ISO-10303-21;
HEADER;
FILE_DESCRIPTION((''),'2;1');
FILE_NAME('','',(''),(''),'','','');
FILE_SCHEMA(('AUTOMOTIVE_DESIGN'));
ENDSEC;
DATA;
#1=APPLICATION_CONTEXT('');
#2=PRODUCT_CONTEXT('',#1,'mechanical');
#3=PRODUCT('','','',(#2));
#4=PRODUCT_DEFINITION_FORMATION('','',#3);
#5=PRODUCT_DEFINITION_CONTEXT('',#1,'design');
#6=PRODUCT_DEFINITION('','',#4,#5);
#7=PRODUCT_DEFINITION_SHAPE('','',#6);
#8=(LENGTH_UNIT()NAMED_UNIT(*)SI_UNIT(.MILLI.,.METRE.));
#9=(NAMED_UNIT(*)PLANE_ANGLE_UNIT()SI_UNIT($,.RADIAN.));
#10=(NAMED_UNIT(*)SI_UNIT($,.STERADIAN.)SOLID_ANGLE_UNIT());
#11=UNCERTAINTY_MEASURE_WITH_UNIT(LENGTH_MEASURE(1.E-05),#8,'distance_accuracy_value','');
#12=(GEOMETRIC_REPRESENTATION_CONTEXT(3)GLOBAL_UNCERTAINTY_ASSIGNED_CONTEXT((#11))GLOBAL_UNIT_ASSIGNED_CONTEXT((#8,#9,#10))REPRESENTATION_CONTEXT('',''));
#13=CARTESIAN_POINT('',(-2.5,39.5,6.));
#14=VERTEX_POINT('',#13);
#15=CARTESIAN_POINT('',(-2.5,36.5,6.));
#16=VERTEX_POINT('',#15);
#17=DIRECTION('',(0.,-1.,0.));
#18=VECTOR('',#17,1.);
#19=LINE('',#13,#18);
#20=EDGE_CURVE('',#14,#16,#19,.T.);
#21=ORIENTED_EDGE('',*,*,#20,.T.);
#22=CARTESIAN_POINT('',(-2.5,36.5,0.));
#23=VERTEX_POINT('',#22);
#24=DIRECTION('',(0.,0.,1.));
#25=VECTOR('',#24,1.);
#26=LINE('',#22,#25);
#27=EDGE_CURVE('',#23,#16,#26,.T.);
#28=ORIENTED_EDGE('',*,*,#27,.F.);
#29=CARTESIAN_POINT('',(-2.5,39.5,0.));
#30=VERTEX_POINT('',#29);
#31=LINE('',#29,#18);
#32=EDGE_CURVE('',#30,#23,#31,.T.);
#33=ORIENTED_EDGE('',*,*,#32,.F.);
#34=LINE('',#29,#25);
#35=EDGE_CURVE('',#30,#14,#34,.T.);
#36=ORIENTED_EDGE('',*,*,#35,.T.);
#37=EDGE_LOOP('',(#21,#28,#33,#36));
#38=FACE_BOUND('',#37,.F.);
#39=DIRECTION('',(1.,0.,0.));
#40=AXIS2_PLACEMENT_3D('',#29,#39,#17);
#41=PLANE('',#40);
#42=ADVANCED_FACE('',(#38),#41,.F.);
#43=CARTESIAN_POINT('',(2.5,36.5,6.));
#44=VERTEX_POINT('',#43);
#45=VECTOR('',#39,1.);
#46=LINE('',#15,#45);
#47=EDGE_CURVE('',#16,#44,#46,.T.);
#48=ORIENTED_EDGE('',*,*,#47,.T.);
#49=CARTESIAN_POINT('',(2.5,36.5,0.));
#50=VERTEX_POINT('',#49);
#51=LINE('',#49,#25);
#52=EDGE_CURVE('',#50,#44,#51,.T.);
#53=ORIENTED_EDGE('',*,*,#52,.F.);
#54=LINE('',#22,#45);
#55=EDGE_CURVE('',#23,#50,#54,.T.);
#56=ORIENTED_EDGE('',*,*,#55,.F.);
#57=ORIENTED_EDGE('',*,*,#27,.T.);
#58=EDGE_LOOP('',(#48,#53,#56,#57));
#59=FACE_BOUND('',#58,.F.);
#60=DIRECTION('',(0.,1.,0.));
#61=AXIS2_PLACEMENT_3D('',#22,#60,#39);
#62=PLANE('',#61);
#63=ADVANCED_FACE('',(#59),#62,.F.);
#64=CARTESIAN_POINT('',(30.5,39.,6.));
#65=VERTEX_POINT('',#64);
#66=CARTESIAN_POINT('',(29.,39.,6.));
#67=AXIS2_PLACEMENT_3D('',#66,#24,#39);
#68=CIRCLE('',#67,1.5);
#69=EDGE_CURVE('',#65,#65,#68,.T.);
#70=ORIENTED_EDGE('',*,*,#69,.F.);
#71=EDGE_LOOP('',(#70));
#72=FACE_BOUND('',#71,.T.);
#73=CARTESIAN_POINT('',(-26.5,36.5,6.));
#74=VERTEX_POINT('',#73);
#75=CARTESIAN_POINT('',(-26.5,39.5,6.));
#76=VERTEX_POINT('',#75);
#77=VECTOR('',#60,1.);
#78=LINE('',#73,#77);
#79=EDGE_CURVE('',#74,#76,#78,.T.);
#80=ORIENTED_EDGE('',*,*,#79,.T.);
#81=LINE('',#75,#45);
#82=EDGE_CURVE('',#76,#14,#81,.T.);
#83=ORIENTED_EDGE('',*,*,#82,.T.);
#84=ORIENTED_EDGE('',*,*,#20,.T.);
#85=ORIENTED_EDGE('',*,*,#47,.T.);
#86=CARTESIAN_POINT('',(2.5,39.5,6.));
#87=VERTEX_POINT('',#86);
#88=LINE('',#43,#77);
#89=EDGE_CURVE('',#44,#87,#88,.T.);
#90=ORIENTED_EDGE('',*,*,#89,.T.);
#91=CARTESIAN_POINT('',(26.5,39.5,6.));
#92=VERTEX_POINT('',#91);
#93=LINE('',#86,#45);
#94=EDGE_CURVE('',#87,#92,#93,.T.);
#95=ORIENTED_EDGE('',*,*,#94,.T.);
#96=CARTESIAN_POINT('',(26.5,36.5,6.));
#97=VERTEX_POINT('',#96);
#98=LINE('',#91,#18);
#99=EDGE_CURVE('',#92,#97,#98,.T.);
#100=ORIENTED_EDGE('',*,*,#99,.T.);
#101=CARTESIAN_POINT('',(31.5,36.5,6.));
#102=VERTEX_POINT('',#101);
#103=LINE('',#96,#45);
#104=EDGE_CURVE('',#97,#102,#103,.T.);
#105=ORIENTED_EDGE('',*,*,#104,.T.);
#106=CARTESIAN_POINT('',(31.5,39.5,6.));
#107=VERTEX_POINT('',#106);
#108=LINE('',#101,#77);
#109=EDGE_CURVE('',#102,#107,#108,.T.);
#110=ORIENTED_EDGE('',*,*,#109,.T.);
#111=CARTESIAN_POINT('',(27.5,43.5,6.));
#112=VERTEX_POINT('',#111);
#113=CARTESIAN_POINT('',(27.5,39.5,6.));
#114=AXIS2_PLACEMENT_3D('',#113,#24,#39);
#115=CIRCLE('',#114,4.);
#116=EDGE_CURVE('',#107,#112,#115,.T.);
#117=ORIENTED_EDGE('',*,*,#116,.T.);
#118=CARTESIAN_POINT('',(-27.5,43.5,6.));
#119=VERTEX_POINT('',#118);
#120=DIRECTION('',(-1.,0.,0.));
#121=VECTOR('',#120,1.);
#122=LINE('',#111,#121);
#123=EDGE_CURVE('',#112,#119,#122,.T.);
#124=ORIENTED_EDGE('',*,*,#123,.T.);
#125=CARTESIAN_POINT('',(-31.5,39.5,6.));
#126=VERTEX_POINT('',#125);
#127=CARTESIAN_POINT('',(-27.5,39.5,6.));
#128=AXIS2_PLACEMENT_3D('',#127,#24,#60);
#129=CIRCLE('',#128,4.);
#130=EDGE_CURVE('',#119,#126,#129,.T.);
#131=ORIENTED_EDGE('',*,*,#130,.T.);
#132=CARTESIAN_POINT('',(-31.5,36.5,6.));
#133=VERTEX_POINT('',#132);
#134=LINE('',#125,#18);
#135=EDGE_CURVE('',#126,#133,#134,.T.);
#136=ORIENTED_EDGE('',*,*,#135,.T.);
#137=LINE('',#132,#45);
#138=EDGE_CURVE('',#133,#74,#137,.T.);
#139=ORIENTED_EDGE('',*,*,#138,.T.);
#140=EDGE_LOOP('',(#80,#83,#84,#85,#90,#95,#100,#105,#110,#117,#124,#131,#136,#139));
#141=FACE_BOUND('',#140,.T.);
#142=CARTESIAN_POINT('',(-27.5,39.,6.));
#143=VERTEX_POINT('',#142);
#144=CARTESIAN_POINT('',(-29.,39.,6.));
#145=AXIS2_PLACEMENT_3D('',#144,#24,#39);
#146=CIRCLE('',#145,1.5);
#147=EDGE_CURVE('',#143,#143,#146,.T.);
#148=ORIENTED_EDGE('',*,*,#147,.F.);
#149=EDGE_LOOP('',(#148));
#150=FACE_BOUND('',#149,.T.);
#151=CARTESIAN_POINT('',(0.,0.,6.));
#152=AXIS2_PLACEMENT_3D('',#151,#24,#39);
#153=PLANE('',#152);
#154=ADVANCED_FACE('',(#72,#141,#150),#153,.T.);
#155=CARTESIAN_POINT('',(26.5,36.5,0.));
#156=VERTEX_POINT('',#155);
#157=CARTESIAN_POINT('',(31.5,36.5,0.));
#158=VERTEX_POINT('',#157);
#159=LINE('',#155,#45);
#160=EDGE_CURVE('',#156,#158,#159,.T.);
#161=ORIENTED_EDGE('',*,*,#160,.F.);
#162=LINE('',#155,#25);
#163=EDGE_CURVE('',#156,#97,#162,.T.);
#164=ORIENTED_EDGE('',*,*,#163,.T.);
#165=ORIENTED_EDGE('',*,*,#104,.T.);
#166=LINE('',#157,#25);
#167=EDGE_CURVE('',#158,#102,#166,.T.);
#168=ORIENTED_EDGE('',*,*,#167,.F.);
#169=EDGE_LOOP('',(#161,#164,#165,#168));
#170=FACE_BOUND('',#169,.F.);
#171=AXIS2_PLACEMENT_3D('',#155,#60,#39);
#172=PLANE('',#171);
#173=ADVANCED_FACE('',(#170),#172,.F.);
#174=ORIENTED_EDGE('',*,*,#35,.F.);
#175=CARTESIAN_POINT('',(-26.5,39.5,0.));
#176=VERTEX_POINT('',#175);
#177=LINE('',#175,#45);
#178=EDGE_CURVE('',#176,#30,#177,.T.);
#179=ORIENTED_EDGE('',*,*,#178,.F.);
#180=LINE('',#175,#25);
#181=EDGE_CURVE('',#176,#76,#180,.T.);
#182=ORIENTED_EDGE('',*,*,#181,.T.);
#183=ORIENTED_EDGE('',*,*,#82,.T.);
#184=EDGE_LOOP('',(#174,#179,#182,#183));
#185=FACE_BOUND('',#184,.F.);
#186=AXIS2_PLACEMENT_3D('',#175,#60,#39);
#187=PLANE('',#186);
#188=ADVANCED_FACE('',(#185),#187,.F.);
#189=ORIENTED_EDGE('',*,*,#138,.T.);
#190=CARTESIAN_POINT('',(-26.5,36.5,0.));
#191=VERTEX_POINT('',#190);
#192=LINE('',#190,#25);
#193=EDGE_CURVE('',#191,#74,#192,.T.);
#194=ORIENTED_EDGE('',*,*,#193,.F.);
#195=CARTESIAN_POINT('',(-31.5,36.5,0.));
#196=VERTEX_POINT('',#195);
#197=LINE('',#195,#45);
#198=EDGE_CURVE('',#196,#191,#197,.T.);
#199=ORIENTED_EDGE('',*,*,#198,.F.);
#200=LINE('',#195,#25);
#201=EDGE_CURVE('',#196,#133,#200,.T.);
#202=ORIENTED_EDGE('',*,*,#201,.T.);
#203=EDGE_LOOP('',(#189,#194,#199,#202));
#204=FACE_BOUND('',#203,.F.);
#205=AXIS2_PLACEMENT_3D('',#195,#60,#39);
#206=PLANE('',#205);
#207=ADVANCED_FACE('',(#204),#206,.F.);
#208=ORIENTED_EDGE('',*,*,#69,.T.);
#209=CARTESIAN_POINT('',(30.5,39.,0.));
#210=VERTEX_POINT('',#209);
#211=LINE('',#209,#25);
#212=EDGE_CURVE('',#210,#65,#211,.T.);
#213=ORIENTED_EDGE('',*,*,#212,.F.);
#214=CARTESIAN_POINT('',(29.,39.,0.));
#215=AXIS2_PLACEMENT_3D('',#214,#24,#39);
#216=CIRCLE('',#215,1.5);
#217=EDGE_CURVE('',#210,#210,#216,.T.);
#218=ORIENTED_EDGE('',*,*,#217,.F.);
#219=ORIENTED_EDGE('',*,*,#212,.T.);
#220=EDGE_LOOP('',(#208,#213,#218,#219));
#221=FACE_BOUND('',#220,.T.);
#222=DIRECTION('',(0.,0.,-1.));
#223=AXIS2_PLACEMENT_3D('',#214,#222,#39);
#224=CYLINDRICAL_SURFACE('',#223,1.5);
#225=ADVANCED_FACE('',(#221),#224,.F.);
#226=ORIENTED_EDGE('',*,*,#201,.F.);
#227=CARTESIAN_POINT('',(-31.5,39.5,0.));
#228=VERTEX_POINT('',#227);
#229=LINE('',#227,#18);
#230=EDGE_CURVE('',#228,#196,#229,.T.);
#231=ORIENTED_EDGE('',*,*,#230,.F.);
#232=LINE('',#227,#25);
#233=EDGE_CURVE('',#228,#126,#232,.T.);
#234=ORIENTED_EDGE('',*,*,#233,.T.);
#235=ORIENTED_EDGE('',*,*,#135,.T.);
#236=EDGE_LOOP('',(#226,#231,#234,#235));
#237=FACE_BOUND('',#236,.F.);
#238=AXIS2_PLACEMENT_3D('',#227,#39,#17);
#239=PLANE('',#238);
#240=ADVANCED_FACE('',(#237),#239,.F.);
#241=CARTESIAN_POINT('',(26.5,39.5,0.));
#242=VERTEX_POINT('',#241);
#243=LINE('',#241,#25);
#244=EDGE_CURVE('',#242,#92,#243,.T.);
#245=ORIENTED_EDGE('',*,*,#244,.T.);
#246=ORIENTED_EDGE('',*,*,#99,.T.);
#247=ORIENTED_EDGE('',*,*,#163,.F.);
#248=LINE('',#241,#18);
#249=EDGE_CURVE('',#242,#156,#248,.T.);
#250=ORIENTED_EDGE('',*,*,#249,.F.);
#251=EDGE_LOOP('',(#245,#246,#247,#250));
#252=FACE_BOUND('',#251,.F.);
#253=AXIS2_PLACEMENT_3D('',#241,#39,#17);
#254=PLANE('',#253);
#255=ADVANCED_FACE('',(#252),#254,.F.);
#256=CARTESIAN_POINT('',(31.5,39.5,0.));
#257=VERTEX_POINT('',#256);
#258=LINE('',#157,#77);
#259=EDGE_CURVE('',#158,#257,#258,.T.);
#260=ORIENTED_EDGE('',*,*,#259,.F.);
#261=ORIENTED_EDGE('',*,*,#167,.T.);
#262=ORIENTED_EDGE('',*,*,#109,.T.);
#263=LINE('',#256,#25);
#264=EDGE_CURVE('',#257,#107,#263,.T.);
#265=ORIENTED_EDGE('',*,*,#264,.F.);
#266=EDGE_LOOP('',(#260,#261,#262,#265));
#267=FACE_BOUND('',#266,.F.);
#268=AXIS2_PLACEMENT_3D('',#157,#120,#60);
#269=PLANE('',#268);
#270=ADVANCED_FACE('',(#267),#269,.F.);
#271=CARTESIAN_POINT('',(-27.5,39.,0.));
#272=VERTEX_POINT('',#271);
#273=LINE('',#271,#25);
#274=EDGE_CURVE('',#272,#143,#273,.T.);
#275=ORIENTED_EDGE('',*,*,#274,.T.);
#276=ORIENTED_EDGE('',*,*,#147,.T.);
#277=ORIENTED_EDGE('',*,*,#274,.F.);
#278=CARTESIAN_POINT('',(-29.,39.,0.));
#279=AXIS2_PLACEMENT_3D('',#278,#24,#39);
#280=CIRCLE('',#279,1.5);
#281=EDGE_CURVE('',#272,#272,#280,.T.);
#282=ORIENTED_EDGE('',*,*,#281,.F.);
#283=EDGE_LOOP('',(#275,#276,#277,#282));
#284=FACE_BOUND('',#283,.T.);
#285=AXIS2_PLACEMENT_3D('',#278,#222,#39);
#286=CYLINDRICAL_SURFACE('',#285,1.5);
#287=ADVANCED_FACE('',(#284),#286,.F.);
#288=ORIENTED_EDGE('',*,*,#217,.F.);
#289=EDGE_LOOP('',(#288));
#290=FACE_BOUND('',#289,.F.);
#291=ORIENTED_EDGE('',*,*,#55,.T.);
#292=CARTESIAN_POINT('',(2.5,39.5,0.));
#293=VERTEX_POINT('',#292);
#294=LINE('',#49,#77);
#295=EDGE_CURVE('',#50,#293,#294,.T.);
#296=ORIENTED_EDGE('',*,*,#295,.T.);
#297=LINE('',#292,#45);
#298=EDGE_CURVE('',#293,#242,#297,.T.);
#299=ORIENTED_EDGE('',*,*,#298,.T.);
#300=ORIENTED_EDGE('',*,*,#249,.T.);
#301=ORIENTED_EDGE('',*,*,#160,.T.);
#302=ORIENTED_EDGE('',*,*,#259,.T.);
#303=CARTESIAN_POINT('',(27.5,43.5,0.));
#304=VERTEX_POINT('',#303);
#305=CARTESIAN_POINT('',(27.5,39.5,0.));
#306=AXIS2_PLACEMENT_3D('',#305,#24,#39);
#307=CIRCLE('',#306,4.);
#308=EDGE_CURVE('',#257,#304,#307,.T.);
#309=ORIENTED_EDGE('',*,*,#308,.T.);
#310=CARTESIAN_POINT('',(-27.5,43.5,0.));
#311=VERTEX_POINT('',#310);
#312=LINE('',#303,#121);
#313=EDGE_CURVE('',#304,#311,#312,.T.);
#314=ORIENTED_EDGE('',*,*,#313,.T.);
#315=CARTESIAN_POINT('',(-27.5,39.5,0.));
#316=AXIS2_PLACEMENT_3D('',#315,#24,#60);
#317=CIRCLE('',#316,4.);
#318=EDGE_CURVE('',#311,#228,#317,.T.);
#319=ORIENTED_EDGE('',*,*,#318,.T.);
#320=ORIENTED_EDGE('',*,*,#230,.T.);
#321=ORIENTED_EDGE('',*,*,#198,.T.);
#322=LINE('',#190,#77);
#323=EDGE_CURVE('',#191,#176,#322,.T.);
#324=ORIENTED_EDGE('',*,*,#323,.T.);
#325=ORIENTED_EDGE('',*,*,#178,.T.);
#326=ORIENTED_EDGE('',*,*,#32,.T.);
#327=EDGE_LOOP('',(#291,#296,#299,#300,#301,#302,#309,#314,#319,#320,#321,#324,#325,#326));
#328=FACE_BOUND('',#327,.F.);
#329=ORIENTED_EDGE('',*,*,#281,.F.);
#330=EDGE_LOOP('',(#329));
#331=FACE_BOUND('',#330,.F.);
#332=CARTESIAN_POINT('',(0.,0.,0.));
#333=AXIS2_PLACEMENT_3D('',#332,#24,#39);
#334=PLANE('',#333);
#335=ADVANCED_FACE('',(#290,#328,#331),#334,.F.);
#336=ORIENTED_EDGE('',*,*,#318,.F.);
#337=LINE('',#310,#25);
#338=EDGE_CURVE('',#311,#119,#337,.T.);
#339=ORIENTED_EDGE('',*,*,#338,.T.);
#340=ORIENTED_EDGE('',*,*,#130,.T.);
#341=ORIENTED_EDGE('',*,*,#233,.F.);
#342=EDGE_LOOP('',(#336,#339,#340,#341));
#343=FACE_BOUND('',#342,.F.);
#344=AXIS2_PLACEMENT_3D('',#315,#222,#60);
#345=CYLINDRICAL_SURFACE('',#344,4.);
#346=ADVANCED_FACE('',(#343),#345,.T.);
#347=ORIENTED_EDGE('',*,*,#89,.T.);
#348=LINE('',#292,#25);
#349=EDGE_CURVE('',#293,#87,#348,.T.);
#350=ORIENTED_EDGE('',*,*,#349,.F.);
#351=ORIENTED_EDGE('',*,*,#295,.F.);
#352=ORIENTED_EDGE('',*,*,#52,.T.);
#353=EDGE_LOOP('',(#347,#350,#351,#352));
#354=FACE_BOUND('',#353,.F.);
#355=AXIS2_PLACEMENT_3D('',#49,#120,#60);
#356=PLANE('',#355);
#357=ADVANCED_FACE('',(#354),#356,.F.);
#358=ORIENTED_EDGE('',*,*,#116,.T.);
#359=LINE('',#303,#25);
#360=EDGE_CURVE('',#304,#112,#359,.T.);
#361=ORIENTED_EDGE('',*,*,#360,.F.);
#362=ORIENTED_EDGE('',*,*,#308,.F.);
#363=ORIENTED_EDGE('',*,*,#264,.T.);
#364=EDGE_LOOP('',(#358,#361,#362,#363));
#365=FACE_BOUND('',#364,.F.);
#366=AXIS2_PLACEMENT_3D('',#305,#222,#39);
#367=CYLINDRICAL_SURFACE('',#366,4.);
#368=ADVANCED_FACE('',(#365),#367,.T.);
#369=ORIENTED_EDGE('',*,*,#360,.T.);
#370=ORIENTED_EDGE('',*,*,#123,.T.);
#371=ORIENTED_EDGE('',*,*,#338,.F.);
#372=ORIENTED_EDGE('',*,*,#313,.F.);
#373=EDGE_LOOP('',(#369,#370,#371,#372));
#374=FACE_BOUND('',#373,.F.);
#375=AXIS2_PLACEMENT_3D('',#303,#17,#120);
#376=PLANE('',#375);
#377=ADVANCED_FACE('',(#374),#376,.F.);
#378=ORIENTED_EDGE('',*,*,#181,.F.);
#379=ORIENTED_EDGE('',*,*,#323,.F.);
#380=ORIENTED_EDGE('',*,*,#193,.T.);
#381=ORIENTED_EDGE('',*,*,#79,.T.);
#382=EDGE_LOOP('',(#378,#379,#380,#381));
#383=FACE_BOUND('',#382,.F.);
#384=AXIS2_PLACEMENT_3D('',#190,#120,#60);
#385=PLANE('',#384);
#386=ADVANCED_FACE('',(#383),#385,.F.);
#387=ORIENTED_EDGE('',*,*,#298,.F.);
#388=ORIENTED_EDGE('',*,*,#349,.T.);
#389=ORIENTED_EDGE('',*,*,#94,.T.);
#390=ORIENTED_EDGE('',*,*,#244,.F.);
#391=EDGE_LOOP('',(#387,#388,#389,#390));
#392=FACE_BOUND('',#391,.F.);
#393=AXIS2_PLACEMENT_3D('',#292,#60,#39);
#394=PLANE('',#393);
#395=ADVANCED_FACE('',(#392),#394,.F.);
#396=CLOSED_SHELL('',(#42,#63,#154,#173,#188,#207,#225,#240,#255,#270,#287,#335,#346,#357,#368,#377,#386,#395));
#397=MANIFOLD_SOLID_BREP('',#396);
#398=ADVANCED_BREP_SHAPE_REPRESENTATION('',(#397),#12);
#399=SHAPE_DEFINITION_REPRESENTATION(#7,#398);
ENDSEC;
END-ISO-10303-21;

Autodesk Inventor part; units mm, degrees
ref_plane "YZ Plane" through (0, 0, 0) normal (1, 0, 0) x (0, 1, 0)
ref_plane "XZ Plane" through (0, 0, 0) normal (0, 1, 0) x (-1, 0, 0)
ref_plane "XY Plane" through (0, 0, 0) normal (0, 0, 1) x (1, 0, 0)
sketch "Sketch1" plane through (0, 0, 0) normal (0, 0, 1) x (1, 0, 0)
  circle A0 centre (29, 39) radius 1.5
  circle A1 centre (-29, 39) radius 1.5
  line L0 (26.5, 36.5) -> (31.5, 36.5)
  line L1 (31.5, 36.5) -> (31.5, 39.5)
  arc A2 (31.5, 39.5) -> (27.5, 43.5) centre (27.5, 39.5) ccw
  line L2 (27.5, 43.5) -> (-27.5, 43.5)
  arc A3 (-27.5, 43.5) -> (-31.5, 39.5) centre (-27.5, 39.5) ccw
  line L3 (-31.5, 39.5) -> (-31.5, 36.5)
  line L4 (-31.5, 36.5) -> (-26.5, 36.5)
  line L5 (-26.5, 36.5) -> (-26.5, 39.5)
  line L6 (-26.5, 39.5) -> (-2.5, 39.5)
  line L7 (-2.5, 39.5) -> (-2.5, 36.5)
  line L8 (-2.5, 36.5) -> (2.5, 36.5)
  line L9 (2.5, 36.5) -> (2.5, 39.5)
  line L10 (2.5, 39.5) -> (26.5, 39.5)
  line L11 (26.5, 39.5) -> (26.5, 36.5)
  point P0 (0, 0)
extrude "Extrusion1" add sketch "Sketch1" along normal blind 6
properties part number "yCarMid_a"
